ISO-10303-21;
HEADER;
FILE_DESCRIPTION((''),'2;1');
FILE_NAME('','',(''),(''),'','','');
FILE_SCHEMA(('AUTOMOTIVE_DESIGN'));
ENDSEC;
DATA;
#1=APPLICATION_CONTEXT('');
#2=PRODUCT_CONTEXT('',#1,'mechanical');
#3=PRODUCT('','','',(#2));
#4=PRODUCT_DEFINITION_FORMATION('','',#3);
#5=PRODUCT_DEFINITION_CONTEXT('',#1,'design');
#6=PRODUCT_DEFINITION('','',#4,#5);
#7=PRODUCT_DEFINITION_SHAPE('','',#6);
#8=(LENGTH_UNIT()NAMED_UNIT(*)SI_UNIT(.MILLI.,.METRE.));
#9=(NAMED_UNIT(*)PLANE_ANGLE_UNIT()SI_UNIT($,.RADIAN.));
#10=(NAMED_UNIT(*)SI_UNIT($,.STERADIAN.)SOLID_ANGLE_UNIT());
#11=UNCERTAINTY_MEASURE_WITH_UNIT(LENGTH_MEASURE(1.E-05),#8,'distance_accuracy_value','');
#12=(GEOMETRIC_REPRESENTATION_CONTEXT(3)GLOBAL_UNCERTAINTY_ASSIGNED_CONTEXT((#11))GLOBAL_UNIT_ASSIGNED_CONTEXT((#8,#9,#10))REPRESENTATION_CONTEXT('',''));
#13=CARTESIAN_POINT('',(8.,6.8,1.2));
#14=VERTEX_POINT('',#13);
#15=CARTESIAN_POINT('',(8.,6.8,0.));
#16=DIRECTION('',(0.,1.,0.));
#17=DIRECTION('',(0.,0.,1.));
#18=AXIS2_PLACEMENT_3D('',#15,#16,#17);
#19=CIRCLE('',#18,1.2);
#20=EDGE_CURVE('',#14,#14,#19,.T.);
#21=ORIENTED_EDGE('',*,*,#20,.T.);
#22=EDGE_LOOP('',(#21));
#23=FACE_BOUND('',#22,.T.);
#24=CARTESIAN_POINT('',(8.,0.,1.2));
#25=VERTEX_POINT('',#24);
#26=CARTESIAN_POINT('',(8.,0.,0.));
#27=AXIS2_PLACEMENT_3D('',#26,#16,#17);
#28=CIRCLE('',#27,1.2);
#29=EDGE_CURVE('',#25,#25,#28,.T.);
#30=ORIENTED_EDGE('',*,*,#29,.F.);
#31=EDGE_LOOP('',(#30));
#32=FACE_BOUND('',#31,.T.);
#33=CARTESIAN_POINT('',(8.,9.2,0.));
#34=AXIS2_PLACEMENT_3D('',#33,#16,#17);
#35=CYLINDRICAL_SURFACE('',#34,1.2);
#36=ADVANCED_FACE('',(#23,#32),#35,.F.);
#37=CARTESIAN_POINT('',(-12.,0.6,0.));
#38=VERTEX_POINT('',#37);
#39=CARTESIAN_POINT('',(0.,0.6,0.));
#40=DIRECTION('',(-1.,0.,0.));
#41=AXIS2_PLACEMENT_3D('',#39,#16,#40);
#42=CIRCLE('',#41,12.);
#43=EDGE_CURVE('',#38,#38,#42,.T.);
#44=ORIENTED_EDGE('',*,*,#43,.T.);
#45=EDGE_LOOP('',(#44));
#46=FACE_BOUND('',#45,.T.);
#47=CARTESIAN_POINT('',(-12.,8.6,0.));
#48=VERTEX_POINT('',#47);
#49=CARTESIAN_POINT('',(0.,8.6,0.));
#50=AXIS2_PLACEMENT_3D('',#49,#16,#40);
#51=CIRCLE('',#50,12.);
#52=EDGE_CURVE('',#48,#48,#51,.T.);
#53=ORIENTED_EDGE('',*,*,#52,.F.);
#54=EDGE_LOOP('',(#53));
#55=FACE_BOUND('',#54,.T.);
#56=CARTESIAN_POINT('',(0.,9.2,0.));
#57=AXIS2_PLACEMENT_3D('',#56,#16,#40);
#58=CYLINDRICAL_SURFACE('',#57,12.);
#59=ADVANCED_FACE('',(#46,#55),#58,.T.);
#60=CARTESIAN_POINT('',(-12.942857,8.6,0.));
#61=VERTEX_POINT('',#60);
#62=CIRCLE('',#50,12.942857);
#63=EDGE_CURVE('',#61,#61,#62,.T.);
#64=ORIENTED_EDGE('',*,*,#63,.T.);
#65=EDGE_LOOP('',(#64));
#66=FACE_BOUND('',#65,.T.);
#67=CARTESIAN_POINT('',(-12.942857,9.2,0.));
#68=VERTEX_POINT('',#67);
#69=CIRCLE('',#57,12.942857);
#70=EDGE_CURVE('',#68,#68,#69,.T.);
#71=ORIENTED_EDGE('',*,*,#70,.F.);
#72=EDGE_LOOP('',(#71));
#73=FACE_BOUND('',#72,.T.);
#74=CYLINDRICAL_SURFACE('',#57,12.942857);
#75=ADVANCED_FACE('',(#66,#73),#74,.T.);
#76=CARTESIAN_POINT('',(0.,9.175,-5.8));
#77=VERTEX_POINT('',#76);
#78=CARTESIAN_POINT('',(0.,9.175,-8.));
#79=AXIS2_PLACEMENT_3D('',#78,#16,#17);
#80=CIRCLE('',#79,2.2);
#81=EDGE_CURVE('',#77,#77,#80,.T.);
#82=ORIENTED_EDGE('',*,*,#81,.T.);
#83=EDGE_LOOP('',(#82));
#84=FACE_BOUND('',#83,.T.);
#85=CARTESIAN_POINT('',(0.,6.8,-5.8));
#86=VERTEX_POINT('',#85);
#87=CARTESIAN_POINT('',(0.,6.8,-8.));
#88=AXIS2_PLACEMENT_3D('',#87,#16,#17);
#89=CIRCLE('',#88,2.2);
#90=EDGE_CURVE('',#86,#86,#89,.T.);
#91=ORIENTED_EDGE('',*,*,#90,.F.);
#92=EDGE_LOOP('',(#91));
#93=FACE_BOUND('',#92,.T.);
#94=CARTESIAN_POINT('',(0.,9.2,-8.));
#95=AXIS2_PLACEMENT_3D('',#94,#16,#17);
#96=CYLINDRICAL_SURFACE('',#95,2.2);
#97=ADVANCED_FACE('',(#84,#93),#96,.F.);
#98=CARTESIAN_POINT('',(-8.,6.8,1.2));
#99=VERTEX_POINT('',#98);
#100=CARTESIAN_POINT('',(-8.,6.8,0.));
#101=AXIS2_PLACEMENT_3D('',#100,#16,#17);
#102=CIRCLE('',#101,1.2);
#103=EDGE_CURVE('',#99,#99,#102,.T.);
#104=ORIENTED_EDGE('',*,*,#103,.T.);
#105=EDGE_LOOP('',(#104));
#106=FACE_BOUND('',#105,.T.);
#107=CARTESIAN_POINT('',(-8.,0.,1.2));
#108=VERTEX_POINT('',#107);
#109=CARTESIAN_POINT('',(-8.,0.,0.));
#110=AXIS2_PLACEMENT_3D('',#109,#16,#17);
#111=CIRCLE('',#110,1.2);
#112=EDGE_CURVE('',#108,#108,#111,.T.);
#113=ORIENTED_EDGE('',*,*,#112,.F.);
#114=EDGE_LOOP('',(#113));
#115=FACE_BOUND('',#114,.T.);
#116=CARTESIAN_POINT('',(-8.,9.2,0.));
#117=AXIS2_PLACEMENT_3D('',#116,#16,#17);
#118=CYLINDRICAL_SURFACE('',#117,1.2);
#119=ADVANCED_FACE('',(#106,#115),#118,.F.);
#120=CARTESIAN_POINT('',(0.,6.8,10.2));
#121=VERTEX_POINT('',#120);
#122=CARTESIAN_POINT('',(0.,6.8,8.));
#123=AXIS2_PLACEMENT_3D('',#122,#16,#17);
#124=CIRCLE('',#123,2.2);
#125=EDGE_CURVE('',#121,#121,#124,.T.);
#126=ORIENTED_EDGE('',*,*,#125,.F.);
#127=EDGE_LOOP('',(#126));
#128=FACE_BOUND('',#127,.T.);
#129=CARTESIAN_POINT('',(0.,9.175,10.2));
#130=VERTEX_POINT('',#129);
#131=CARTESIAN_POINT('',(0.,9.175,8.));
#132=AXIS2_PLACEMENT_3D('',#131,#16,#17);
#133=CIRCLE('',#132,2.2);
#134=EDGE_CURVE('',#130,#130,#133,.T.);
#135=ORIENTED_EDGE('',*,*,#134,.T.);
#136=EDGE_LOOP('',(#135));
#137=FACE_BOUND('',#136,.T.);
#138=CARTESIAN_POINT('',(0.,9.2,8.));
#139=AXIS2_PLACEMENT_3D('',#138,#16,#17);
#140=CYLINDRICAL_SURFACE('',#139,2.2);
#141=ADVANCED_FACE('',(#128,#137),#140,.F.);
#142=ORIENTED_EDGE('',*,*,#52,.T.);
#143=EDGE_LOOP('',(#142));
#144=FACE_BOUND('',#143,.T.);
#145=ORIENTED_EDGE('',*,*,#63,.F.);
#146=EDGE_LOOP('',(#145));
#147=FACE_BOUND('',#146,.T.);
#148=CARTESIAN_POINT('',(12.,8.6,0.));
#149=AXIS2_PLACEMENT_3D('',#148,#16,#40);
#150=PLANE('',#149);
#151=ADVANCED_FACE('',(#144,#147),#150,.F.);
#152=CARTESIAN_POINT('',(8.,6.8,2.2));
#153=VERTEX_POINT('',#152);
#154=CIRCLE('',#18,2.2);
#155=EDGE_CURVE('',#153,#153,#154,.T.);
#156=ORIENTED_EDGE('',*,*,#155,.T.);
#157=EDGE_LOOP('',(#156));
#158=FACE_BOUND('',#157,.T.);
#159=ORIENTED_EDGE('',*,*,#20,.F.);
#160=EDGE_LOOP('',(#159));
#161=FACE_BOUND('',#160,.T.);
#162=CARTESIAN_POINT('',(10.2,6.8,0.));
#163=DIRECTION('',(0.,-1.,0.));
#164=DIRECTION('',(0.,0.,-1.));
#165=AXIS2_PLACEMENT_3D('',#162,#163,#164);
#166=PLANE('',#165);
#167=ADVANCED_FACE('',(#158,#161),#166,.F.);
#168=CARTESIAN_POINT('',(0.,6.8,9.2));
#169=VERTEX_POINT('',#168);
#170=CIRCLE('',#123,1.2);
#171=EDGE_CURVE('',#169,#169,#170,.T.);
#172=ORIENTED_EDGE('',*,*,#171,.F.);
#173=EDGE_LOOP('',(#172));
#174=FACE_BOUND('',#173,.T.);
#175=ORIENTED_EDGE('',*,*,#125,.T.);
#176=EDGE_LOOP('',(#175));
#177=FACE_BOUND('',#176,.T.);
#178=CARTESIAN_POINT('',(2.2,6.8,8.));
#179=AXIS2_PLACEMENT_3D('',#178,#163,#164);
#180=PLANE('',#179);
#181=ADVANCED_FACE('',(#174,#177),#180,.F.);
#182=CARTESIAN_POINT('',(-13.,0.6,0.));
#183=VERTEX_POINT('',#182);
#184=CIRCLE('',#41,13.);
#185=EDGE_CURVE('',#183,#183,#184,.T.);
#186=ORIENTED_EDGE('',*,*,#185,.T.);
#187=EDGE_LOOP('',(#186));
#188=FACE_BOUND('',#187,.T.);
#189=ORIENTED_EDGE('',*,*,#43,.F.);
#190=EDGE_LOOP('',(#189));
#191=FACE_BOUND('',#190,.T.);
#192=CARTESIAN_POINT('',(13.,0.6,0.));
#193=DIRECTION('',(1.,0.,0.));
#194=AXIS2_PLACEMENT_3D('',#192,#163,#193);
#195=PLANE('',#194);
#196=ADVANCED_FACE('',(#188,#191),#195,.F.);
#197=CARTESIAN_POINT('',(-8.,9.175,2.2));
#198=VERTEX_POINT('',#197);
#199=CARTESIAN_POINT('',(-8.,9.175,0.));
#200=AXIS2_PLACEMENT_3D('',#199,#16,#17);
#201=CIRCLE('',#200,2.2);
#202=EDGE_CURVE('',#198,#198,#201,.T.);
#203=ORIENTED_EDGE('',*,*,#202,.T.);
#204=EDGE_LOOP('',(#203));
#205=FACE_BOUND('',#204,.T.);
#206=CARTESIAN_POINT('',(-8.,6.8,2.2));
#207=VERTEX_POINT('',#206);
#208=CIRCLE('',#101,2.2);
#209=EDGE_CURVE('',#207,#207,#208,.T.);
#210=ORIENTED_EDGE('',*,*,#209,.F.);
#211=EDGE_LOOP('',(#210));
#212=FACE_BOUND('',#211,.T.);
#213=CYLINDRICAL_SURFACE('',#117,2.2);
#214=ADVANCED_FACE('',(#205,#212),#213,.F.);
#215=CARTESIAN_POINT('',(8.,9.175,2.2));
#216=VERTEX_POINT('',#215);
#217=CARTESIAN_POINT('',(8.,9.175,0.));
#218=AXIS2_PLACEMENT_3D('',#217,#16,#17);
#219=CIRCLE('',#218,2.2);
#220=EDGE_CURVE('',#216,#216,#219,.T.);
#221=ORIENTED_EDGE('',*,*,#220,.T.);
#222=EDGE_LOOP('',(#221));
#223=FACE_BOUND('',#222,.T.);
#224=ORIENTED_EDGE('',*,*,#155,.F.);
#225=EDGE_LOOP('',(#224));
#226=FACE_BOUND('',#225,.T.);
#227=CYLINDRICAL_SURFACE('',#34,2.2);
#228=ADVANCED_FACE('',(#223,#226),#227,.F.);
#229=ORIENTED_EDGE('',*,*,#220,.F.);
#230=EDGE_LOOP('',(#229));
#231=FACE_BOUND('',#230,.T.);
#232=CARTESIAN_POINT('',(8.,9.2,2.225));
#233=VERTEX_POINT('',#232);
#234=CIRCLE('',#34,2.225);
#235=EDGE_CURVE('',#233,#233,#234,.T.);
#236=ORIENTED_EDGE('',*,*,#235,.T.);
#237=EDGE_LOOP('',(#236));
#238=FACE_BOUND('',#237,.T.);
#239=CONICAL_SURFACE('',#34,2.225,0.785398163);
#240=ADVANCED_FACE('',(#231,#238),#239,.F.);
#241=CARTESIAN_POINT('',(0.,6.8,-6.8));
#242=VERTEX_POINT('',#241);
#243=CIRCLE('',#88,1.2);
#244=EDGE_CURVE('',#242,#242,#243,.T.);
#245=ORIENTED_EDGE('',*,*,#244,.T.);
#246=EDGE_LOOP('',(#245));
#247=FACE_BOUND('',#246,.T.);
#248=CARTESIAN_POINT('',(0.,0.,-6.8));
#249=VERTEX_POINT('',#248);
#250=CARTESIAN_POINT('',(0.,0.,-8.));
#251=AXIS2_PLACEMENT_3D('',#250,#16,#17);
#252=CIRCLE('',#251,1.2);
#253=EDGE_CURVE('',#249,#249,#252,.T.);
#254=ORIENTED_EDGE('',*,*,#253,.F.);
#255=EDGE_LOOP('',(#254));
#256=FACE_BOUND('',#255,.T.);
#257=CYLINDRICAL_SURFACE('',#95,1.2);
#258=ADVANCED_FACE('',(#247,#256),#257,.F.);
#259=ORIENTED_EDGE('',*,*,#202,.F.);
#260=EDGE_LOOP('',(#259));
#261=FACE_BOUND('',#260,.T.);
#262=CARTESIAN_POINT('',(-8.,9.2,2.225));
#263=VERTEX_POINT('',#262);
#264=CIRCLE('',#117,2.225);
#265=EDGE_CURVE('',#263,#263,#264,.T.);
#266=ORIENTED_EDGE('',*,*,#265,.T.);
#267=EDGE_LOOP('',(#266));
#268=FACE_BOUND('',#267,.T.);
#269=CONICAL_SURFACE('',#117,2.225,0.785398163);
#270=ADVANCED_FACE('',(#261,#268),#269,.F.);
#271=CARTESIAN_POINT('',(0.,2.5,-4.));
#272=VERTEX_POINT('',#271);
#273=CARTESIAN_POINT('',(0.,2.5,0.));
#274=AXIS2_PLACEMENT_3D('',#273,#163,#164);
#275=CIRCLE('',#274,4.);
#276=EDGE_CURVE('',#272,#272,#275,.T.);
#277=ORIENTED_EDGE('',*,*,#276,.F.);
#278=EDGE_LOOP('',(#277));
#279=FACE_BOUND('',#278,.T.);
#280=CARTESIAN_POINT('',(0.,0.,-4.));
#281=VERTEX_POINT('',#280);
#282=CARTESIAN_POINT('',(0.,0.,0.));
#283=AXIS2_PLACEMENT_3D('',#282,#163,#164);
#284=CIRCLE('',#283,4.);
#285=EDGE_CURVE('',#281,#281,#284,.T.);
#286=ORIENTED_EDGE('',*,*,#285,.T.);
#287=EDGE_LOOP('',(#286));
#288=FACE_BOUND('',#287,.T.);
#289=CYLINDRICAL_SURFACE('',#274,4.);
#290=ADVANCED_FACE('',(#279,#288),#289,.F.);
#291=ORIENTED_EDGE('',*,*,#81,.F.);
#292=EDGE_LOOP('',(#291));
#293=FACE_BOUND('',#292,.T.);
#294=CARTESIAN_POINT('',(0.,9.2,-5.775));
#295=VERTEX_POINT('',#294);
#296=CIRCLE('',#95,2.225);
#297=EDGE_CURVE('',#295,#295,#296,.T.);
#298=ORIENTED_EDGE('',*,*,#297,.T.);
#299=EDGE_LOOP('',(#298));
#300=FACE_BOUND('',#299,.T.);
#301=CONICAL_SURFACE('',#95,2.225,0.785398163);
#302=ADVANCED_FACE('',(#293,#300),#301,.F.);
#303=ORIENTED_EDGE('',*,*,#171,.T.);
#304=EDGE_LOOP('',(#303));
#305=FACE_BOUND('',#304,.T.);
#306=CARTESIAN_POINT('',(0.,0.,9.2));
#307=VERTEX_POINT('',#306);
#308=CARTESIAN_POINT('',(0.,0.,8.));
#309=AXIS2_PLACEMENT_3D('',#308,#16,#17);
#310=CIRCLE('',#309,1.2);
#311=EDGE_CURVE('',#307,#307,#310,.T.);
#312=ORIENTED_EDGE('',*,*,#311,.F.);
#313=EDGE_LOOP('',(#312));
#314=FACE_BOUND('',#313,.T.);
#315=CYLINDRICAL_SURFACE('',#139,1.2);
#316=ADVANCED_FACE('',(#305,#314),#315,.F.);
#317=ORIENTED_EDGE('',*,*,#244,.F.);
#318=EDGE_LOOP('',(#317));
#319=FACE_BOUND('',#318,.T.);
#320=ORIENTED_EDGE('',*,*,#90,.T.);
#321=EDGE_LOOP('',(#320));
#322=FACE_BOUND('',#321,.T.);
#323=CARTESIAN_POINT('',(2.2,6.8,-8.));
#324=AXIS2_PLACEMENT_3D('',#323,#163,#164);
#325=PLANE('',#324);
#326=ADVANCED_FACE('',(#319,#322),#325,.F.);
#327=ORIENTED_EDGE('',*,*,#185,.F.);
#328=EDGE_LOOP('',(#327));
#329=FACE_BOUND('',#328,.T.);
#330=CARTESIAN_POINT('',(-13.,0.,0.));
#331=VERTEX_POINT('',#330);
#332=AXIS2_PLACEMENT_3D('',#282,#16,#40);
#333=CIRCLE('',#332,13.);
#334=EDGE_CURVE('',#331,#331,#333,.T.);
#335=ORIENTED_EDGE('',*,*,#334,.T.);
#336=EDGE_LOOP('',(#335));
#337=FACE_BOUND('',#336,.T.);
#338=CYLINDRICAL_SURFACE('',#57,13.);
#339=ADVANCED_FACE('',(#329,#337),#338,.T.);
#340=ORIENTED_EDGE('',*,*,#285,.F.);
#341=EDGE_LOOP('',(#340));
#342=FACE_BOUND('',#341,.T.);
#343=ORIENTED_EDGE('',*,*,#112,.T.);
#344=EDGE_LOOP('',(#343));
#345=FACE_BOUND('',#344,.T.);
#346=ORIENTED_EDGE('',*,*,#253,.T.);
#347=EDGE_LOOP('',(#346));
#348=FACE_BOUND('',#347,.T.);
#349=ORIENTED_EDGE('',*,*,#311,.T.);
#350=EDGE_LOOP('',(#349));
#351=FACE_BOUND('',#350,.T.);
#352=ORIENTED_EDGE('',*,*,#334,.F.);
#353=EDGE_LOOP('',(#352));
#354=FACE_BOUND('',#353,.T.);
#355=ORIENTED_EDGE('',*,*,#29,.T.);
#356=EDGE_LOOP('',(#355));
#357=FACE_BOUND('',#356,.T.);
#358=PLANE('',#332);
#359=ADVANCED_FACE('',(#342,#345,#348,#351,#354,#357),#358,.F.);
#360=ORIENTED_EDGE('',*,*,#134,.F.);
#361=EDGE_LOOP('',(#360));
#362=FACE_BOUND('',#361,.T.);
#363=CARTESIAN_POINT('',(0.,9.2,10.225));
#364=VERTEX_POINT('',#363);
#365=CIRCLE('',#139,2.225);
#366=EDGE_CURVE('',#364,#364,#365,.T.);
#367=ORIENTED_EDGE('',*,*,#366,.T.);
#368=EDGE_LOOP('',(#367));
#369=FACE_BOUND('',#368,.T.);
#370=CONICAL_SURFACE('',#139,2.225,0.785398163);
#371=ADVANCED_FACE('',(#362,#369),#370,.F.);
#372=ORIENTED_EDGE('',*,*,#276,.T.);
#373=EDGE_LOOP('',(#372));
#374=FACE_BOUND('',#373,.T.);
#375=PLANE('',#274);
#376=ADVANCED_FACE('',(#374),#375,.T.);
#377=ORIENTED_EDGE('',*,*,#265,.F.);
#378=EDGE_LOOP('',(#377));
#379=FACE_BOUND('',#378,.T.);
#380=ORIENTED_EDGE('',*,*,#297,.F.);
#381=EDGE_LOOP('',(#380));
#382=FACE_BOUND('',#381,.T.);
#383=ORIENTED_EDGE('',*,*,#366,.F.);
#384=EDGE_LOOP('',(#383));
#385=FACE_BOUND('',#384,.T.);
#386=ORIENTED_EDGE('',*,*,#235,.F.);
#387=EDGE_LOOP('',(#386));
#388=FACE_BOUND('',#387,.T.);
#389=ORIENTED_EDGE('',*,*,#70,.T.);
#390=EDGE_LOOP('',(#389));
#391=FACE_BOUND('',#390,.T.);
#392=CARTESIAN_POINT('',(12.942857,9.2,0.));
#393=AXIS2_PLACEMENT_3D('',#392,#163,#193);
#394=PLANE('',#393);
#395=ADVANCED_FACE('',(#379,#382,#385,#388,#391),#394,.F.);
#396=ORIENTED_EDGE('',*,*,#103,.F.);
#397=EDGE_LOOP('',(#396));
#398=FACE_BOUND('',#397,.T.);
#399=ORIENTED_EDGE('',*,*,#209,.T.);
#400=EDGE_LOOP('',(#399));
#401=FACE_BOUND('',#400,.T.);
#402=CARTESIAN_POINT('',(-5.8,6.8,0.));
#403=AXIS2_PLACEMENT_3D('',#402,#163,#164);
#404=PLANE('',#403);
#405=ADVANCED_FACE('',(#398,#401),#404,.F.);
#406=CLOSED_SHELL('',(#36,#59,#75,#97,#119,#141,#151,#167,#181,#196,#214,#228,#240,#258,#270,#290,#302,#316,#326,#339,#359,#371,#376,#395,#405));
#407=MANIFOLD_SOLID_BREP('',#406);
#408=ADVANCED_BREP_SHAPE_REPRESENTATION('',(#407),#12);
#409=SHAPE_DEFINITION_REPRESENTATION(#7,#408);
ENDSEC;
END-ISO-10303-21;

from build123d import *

# Parameters (mm, degrees)
CBORE_FOR_M2_HEX_SOCKET_HEAD_CAP_SCR_2_COUNT = 2
CBORE_FOR_M2_HEX_SOCKET_HEAD_CAP_SCR_2_PITCH = 11.313708499
CBORE_FOR_M2_HEX_SOCKET_HEAD_CAP_SCR_3_COUNT = 2
CBORE_FOR_M2_HEX_SOCKET_HEAD_CAP_SCR_3_PITCH = 16
CBORE_FOR_M2_HEX_SOCKET_HEAD_CAP_SCR_4_COUNT = 2
CBORE_FOR_M2_HEX_SOCKET_HEAD_CAP_SCR_4_PITCH = 11.313708499
SKETCH6_R                                    = 4
CUT_EXTRUDE1_DEPTH                           = 2.5


with BuildPart() as part:
    # Sketch1 → Revolve1 (revolve)
    with BuildSketch(Plane.XY, mode=Mode.PRIVATE) as revolve1_sk:
        Polygon((0, 0), (13, 0), (13, 0.6), (12, 0.6), (12, 8.6), (12.942857143, 8.6), (12.942857143, 9.2), (0, 9.2), align=None)
    revolve(revolve1_sk.sketch.rotate(Axis((0, 9.2, 0), (0, -1, 0)), 180), axis=Axis((0, 9.2, 0), (0, -1, 0)))

    # Sketch3 → CBORE for M2 Hex Socket Head Cap Screw1 (revolve, cut)
    with BuildSketch(Plane(origin=(-8, 9.2, 0), x_dir=(0, 0, 1), z_dir=(1, 0, 0))):
        Polygon((0, 0), (0, 9.2), (1.2, 9.2), (1.2, 2.4), (2.2, 2.4), (2.2, 0.025), (2.225, 0), align=None)
    cbore_for_m2_hex_socket_head_cap_screw1 = revolve(axis=Axis((-8, 15.55, 0), (0, -1, 0)), mode=Mode.SUBTRACT)

    # CBORE for M2 Hex Socket Head Cap Scr 2: CBORE for M2 Hex Socket Head Cap Screw1 ×2
    with Locations(*[Vector(0.7071067811865277, 0, -0.7071067811865673) * (i * CBORE_FOR_M2_HEX_SOCKET_HEAD_CAP_SCR_2_PITCH) for i in range(1, CBORE_FOR_M2_HEX_SOCKET_HEAD_CAP_SCR_2_COUNT)]):
        add(cbore_for_m2_hex_socket_head_cap_screw1, mode=Mode.SUBTRACT)

    # CBORE for M2 Hex Socket Head Cap Scr 3: CBORE for M2 Hex Socket Head Cap Screw1 ×2
    with Locations(*[(i * CBORE_FOR_M2_HEX_SOCKET_HEAD_CAP_SCR_3_PITCH, 0, 0) for i in range(1, CBORE_FOR_M2_HEX_SOCKET_HEAD_CAP_SCR_3_COUNT)]):
        add(cbore_for_m2_hex_socket_head_cap_screw1, mode=Mode.SUBTRACT)

    # CBORE for M2 Hex Socket Head Cap Scr 4: CBORE for M2 Hex Socket Head Cap Screw1 ×2
    with Locations(*[Vector(0.7071067811865674, 0, 0.7071067811865276) * (i * CBORE_FOR_M2_HEX_SOCKET_HEAD_CAP_SCR_4_PITCH) for i in range(1, CBORE_FOR_M2_HEX_SOCKET_HEAD_CAP_SCR_4_COUNT)]):
        add(cbore_for_m2_hex_socket_head_cap_screw1, mode=Mode.SUBTRACT)

    # Sketch6 → Cut-Extrude1 (cut)
    with BuildSketch(Plane.XZ):
        with Locations(Location((0, 0, 0), (0, 0, 270))):
            Circle(SKETCH6_R)
    extrude(amount=-CUT_EXTRUDE1_DEPTH, mode=Mode.SUBTRACT)


solid = part.part
